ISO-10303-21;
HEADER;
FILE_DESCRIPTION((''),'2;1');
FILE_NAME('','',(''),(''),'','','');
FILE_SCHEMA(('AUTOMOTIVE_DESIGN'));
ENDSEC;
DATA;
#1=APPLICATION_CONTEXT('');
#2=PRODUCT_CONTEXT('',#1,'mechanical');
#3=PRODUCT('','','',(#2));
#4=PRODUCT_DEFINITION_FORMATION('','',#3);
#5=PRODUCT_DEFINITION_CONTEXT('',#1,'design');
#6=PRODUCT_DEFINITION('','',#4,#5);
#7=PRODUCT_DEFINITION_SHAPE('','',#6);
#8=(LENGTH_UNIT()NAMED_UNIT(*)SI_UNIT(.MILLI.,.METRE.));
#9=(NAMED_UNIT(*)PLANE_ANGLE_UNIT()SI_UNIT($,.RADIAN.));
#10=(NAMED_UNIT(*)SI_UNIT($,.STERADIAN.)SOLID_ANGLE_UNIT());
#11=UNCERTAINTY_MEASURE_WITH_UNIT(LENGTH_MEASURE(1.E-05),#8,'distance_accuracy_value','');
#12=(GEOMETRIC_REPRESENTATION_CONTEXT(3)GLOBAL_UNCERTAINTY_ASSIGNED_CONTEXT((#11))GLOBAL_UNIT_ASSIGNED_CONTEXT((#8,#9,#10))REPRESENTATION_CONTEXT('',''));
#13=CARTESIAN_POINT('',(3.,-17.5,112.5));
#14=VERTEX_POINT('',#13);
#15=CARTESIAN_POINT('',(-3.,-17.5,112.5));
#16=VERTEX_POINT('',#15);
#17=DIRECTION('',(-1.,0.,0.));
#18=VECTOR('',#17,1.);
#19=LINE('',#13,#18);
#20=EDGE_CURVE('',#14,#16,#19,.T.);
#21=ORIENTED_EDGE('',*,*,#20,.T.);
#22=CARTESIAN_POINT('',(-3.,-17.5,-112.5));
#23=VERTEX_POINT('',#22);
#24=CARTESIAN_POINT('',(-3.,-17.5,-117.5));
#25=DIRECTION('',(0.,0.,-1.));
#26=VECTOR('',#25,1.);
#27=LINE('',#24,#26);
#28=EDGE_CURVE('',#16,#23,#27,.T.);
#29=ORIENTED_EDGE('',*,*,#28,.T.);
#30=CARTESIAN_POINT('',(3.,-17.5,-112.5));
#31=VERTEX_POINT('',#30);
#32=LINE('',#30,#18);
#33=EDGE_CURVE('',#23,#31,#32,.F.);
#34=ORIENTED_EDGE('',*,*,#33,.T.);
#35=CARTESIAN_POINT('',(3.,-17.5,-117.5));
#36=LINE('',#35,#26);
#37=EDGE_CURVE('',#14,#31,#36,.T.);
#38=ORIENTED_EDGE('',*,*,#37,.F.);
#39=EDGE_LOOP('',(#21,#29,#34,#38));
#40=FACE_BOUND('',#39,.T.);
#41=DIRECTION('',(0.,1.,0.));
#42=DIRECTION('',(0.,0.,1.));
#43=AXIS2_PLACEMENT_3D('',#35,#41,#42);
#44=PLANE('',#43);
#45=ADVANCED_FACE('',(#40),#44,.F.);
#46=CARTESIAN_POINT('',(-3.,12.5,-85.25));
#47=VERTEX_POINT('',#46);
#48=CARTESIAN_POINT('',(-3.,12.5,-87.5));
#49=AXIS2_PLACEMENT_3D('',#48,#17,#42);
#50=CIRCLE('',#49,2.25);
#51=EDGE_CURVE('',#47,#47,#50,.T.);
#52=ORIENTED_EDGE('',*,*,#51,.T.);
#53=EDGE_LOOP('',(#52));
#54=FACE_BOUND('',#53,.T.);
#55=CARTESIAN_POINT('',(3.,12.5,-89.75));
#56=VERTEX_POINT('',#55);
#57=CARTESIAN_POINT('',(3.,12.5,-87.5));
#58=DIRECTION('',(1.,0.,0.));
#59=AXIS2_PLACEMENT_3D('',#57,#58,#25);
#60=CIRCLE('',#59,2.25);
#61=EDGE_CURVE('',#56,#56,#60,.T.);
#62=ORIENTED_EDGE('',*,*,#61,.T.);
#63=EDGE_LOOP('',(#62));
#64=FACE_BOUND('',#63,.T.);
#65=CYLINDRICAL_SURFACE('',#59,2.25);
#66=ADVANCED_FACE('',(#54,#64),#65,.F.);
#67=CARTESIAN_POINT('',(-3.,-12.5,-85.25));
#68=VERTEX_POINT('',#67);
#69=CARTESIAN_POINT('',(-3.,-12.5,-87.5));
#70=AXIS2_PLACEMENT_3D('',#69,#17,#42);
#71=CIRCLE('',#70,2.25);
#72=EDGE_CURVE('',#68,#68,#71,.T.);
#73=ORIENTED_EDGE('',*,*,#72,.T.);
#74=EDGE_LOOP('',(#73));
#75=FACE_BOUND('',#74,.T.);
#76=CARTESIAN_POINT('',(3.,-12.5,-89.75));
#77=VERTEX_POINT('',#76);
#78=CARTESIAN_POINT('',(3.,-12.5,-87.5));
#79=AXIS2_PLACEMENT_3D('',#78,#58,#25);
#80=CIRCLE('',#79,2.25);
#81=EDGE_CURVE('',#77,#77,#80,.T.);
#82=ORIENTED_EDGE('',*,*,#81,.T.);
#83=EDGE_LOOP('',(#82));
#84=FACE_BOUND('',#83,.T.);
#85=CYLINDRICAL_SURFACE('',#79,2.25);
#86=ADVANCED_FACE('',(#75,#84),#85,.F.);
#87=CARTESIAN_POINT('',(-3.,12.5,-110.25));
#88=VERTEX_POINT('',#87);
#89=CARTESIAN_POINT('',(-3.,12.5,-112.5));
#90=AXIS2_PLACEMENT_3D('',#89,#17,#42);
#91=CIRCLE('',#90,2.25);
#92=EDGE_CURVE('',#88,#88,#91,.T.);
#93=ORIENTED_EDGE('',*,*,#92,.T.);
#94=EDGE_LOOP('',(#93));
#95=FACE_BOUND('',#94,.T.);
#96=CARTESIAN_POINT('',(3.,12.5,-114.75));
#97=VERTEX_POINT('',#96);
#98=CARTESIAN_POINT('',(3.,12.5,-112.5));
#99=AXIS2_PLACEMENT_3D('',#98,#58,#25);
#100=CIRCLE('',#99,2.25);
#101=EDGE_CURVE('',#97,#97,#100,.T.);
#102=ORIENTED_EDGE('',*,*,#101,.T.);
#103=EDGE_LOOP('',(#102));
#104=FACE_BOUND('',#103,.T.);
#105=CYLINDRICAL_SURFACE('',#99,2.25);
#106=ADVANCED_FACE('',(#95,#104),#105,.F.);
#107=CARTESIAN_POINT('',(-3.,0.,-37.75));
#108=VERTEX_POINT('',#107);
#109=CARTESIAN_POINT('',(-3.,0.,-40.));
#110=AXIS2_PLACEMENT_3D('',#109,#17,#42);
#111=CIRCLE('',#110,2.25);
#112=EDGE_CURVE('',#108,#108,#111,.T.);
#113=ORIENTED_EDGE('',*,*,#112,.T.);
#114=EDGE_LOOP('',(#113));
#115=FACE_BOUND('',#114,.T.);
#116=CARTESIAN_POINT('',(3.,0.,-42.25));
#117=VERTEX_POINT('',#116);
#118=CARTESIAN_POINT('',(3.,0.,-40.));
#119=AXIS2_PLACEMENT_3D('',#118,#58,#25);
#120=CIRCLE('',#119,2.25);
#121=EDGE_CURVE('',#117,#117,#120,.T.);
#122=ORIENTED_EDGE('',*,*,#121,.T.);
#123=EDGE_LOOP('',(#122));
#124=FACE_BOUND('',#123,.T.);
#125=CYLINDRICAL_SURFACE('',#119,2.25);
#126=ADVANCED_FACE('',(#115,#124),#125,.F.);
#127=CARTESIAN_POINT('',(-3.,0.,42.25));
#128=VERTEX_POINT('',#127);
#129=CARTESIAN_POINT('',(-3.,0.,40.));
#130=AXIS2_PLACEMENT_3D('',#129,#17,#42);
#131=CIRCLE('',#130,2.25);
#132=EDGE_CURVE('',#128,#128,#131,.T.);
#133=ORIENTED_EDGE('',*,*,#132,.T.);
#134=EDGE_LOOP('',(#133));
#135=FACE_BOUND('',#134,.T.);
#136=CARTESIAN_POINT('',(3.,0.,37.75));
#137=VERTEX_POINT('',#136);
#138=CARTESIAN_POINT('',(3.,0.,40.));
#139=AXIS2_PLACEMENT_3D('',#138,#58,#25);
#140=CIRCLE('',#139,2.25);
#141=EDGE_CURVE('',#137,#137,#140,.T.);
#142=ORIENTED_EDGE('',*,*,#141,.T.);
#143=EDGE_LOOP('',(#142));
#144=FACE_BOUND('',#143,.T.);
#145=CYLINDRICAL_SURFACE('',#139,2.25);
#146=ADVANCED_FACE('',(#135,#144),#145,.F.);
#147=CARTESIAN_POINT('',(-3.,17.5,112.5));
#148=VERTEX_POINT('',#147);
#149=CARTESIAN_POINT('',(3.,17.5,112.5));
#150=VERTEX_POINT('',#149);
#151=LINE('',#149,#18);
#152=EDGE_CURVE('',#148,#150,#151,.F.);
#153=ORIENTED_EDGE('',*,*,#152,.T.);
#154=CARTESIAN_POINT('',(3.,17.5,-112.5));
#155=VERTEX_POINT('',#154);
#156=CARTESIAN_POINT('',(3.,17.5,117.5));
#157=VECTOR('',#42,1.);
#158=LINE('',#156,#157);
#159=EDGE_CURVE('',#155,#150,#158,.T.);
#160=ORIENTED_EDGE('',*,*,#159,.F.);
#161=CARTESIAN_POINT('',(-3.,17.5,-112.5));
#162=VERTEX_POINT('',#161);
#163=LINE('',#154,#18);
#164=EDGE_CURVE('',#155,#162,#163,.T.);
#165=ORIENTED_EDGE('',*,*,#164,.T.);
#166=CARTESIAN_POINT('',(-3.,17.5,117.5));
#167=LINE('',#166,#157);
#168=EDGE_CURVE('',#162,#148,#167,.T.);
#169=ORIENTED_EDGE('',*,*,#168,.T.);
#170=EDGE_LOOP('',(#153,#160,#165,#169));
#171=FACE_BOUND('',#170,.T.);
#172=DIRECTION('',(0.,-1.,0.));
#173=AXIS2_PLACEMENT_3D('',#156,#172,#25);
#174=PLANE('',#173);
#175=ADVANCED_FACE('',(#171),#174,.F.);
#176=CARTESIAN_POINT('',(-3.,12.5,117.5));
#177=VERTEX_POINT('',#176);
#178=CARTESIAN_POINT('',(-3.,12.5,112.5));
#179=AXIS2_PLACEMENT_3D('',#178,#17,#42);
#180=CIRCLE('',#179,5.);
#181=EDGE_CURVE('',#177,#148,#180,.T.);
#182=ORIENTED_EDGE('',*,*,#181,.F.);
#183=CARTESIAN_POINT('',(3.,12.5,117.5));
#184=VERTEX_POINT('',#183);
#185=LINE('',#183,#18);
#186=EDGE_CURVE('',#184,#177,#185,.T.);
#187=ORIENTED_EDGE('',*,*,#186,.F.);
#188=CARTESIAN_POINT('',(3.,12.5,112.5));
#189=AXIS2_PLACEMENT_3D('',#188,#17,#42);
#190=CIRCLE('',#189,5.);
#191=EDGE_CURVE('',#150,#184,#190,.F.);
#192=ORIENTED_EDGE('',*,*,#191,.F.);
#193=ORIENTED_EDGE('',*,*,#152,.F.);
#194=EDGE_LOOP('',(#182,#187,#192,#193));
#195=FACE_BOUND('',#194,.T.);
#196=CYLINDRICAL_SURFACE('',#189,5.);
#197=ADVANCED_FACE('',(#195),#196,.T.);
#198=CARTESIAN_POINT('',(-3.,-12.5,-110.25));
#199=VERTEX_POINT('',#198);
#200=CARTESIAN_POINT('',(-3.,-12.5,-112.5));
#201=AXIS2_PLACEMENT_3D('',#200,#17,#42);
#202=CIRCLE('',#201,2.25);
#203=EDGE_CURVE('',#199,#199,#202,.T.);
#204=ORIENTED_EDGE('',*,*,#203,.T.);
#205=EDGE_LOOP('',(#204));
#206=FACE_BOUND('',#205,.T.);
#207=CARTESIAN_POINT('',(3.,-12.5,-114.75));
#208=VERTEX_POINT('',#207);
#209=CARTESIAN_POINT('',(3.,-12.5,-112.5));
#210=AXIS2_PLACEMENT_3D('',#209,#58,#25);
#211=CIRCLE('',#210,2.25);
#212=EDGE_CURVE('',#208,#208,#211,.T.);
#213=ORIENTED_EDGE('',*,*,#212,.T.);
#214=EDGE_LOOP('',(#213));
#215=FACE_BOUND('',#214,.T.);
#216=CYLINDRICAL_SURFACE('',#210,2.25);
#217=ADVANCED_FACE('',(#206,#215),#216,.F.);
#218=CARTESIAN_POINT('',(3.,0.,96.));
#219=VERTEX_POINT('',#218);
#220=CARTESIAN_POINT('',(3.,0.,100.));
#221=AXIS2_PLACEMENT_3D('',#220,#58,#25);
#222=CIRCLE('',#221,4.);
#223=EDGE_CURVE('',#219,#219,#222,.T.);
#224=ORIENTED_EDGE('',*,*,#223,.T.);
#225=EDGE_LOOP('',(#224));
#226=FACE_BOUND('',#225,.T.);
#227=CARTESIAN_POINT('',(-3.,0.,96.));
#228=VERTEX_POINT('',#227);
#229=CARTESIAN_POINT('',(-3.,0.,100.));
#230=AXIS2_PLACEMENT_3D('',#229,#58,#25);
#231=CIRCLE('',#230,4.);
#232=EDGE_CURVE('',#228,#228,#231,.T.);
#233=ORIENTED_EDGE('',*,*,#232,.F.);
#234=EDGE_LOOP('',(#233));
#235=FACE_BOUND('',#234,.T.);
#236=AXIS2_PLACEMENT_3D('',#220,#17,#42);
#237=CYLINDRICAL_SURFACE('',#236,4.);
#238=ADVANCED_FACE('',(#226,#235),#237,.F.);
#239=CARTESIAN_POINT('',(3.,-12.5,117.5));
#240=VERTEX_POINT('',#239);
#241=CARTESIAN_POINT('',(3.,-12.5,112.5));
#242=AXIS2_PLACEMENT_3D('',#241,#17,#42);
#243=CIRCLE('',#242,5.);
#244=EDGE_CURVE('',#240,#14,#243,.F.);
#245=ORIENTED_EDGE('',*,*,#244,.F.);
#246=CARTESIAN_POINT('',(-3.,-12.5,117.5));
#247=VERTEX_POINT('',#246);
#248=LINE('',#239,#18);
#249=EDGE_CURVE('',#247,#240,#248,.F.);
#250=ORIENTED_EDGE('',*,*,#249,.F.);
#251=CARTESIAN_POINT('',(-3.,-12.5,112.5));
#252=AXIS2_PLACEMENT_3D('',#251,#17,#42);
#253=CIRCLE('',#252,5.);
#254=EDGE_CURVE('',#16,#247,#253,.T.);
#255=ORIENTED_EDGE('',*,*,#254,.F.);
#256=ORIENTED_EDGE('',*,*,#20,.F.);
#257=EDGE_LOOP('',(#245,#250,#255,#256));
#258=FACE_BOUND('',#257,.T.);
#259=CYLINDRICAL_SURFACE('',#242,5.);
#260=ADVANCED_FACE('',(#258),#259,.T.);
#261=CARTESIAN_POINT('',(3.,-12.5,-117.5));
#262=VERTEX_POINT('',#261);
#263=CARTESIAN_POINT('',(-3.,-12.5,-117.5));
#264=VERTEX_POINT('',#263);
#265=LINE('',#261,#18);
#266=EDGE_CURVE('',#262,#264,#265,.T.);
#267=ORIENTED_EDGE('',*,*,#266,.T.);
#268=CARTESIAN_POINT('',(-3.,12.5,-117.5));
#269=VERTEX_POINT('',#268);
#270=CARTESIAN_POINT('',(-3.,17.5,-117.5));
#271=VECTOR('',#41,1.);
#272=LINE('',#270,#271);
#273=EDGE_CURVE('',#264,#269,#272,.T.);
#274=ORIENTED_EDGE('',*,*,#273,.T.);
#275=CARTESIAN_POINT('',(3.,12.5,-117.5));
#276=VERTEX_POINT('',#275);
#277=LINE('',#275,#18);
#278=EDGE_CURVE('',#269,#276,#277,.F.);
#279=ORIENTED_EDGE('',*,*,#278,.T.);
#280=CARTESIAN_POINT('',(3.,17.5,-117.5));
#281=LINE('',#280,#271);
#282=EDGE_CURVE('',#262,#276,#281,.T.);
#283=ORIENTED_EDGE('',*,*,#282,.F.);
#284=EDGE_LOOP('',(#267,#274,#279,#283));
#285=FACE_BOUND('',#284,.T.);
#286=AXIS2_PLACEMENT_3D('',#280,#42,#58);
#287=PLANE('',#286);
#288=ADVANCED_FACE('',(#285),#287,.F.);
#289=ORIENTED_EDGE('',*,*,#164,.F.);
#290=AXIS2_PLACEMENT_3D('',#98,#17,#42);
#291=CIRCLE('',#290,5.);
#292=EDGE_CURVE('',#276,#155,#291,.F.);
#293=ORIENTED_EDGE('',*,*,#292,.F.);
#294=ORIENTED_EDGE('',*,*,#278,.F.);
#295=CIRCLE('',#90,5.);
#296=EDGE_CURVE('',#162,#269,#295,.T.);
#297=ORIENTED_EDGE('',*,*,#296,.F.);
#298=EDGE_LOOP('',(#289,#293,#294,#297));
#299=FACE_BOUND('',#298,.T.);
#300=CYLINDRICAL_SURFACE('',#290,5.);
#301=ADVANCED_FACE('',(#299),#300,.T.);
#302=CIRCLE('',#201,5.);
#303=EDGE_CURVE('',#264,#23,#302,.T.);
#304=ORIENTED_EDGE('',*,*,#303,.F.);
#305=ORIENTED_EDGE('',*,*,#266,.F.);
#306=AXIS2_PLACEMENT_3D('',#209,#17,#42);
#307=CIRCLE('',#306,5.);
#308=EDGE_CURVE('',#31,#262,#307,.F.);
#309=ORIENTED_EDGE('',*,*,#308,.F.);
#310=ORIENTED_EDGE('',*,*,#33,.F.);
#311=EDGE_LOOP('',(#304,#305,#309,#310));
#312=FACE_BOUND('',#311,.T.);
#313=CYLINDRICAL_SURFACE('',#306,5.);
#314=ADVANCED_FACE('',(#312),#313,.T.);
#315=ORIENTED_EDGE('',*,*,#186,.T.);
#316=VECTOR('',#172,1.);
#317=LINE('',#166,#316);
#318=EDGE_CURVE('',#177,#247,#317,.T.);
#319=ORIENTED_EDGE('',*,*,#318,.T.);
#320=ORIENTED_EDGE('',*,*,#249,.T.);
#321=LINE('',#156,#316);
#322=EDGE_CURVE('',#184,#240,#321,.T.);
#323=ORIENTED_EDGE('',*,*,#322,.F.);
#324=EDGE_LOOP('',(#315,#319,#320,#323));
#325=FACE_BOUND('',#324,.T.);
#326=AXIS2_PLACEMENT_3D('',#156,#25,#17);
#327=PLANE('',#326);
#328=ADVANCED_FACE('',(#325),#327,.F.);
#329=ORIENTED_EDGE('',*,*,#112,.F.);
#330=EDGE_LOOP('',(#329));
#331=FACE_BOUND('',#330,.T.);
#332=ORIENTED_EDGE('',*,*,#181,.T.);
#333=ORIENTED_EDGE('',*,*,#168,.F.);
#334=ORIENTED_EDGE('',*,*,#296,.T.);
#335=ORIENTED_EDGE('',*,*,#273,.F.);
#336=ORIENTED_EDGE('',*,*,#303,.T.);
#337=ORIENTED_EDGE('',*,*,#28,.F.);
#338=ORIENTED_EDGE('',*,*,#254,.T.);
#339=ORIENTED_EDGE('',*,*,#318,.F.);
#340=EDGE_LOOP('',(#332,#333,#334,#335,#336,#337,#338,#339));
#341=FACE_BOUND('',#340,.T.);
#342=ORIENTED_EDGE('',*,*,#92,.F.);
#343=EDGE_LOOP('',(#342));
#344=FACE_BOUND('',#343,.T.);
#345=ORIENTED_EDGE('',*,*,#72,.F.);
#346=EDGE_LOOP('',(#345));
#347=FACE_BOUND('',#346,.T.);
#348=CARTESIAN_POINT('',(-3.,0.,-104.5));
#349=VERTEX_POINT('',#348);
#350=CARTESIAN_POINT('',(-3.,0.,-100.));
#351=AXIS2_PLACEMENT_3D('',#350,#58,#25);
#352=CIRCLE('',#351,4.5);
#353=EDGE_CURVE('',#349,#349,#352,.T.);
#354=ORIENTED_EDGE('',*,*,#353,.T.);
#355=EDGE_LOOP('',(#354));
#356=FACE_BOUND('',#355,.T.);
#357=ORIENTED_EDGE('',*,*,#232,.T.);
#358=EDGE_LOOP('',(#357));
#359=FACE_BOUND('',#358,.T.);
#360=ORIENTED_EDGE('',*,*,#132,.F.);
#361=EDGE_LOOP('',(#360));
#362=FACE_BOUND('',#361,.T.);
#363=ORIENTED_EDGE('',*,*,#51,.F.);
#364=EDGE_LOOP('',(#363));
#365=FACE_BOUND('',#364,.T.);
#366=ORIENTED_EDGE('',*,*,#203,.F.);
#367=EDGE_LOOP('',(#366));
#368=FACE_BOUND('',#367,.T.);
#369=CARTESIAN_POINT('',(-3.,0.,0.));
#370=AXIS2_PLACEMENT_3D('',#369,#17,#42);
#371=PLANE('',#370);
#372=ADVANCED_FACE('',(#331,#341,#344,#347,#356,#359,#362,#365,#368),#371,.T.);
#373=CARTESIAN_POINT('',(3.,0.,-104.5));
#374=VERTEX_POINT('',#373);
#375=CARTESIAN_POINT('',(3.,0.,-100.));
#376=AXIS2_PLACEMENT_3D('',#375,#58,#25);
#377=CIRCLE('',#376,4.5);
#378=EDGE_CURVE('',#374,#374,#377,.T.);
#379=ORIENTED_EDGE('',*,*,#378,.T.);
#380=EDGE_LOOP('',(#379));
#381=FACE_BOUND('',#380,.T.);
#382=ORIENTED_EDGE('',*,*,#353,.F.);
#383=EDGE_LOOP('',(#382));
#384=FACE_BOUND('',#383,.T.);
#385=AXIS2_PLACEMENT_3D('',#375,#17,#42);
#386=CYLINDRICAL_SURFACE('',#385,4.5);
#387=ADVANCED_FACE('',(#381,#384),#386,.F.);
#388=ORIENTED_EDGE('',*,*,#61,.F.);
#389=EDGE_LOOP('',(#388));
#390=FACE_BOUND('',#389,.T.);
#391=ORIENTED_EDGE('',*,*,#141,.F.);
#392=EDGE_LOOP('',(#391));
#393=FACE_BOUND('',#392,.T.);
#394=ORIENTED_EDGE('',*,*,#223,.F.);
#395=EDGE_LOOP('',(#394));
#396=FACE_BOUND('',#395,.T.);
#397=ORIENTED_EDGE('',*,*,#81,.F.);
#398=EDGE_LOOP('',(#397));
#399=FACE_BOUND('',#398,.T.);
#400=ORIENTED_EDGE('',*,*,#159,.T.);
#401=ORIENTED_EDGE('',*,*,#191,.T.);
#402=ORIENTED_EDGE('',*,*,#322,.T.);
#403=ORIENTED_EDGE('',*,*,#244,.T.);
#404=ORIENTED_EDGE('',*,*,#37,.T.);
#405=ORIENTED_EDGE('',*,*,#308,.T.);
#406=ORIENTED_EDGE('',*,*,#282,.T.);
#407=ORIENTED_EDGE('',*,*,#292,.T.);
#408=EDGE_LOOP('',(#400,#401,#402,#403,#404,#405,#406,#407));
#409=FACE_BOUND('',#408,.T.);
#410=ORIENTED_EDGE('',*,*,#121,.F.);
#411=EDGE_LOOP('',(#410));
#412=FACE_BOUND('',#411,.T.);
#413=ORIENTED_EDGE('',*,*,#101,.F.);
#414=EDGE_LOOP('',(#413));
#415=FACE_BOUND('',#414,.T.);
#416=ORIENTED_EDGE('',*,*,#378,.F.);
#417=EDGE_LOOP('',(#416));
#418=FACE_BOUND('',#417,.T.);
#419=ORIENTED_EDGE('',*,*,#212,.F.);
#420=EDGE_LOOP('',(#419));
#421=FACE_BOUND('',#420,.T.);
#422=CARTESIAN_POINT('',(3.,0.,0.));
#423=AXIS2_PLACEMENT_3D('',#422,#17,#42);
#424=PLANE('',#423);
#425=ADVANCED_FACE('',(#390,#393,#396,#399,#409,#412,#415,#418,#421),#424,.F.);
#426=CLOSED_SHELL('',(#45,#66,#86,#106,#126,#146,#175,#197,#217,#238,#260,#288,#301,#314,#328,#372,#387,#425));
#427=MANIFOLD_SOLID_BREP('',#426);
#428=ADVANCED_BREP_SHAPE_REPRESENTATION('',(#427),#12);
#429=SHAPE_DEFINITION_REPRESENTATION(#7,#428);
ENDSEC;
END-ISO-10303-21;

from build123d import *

# Parameters (mm, degrees)
CROQUIS2_W                   = 235
CROQUIS2_H                   = 35
CROQUIS2_R                   = 4
CROQUIS2_R_2                 = 4.5
SALIENTE_EXTRUIR1_DEPTH      = 3
REDONDEO1_R                  = 5
TALADRO_DE_MARGEN_PARA_M41_D = 4.5
TALADRO_DE_MARGEN_PARA_M42_D = 4.5


with BuildPart() as part:
    # Croquis2 → Saliente-Extruir1 (new, symmetric)
    with BuildSketch(Plane(origin=(0, 0, 0), x_dir=(0, 0, -1), z_dir=(1, 0, 0))):
        Rectangle(CROQUIS2_W, CROQUIS2_H)
        with Locations((-100, 0)):
            Circle(CROQUIS2_R, mode=Mode.SUBTRACT)
        with Locations((100, 0)):
            Circle(CROQUIS2_R_2, mode=Mode.SUBTRACT)
    extrude(amount=SALIENTE_EXTRUIR1_DEPTH, both=True)

    # Redondeo1
    redondeo1_edges = [part.edges().sort_by_distance(p)[0] for p in [
        (0, 17.5, 117.5),
        (0, 17.5, -117.5),
        (0, -17.5, -117.5),
        (0, -17.5, 117.5),
    ]]
    fillet(redondeo1_edges, radius=REDONDEO1_R)

    # Taladro de margen para M41 (through all)
    with Locations(Plane(origin=(3, 0, 0), x_dir=(0, 0, -1), z_dir=(1, 0, 0))):
        with Locations((112.5, 12.5), (87.5, 12.5), (87.5, -12.5), (112.5, -12.5)):
            Hole(TALADRO_DE_MARGEN_PARA_M41_D / 2)

    # Taladro de margen para M42 (through all)
    with Locations(Plane(origin=(3, 0, 0), x_dir=(0, 0, -1), z_dir=(1, 0, 0))):
        with Locations((-40, 0), (40, 0)):
            Hole(TALADRO_DE_MARGEN_PARA_M42_D / 2)


solid = part.part
